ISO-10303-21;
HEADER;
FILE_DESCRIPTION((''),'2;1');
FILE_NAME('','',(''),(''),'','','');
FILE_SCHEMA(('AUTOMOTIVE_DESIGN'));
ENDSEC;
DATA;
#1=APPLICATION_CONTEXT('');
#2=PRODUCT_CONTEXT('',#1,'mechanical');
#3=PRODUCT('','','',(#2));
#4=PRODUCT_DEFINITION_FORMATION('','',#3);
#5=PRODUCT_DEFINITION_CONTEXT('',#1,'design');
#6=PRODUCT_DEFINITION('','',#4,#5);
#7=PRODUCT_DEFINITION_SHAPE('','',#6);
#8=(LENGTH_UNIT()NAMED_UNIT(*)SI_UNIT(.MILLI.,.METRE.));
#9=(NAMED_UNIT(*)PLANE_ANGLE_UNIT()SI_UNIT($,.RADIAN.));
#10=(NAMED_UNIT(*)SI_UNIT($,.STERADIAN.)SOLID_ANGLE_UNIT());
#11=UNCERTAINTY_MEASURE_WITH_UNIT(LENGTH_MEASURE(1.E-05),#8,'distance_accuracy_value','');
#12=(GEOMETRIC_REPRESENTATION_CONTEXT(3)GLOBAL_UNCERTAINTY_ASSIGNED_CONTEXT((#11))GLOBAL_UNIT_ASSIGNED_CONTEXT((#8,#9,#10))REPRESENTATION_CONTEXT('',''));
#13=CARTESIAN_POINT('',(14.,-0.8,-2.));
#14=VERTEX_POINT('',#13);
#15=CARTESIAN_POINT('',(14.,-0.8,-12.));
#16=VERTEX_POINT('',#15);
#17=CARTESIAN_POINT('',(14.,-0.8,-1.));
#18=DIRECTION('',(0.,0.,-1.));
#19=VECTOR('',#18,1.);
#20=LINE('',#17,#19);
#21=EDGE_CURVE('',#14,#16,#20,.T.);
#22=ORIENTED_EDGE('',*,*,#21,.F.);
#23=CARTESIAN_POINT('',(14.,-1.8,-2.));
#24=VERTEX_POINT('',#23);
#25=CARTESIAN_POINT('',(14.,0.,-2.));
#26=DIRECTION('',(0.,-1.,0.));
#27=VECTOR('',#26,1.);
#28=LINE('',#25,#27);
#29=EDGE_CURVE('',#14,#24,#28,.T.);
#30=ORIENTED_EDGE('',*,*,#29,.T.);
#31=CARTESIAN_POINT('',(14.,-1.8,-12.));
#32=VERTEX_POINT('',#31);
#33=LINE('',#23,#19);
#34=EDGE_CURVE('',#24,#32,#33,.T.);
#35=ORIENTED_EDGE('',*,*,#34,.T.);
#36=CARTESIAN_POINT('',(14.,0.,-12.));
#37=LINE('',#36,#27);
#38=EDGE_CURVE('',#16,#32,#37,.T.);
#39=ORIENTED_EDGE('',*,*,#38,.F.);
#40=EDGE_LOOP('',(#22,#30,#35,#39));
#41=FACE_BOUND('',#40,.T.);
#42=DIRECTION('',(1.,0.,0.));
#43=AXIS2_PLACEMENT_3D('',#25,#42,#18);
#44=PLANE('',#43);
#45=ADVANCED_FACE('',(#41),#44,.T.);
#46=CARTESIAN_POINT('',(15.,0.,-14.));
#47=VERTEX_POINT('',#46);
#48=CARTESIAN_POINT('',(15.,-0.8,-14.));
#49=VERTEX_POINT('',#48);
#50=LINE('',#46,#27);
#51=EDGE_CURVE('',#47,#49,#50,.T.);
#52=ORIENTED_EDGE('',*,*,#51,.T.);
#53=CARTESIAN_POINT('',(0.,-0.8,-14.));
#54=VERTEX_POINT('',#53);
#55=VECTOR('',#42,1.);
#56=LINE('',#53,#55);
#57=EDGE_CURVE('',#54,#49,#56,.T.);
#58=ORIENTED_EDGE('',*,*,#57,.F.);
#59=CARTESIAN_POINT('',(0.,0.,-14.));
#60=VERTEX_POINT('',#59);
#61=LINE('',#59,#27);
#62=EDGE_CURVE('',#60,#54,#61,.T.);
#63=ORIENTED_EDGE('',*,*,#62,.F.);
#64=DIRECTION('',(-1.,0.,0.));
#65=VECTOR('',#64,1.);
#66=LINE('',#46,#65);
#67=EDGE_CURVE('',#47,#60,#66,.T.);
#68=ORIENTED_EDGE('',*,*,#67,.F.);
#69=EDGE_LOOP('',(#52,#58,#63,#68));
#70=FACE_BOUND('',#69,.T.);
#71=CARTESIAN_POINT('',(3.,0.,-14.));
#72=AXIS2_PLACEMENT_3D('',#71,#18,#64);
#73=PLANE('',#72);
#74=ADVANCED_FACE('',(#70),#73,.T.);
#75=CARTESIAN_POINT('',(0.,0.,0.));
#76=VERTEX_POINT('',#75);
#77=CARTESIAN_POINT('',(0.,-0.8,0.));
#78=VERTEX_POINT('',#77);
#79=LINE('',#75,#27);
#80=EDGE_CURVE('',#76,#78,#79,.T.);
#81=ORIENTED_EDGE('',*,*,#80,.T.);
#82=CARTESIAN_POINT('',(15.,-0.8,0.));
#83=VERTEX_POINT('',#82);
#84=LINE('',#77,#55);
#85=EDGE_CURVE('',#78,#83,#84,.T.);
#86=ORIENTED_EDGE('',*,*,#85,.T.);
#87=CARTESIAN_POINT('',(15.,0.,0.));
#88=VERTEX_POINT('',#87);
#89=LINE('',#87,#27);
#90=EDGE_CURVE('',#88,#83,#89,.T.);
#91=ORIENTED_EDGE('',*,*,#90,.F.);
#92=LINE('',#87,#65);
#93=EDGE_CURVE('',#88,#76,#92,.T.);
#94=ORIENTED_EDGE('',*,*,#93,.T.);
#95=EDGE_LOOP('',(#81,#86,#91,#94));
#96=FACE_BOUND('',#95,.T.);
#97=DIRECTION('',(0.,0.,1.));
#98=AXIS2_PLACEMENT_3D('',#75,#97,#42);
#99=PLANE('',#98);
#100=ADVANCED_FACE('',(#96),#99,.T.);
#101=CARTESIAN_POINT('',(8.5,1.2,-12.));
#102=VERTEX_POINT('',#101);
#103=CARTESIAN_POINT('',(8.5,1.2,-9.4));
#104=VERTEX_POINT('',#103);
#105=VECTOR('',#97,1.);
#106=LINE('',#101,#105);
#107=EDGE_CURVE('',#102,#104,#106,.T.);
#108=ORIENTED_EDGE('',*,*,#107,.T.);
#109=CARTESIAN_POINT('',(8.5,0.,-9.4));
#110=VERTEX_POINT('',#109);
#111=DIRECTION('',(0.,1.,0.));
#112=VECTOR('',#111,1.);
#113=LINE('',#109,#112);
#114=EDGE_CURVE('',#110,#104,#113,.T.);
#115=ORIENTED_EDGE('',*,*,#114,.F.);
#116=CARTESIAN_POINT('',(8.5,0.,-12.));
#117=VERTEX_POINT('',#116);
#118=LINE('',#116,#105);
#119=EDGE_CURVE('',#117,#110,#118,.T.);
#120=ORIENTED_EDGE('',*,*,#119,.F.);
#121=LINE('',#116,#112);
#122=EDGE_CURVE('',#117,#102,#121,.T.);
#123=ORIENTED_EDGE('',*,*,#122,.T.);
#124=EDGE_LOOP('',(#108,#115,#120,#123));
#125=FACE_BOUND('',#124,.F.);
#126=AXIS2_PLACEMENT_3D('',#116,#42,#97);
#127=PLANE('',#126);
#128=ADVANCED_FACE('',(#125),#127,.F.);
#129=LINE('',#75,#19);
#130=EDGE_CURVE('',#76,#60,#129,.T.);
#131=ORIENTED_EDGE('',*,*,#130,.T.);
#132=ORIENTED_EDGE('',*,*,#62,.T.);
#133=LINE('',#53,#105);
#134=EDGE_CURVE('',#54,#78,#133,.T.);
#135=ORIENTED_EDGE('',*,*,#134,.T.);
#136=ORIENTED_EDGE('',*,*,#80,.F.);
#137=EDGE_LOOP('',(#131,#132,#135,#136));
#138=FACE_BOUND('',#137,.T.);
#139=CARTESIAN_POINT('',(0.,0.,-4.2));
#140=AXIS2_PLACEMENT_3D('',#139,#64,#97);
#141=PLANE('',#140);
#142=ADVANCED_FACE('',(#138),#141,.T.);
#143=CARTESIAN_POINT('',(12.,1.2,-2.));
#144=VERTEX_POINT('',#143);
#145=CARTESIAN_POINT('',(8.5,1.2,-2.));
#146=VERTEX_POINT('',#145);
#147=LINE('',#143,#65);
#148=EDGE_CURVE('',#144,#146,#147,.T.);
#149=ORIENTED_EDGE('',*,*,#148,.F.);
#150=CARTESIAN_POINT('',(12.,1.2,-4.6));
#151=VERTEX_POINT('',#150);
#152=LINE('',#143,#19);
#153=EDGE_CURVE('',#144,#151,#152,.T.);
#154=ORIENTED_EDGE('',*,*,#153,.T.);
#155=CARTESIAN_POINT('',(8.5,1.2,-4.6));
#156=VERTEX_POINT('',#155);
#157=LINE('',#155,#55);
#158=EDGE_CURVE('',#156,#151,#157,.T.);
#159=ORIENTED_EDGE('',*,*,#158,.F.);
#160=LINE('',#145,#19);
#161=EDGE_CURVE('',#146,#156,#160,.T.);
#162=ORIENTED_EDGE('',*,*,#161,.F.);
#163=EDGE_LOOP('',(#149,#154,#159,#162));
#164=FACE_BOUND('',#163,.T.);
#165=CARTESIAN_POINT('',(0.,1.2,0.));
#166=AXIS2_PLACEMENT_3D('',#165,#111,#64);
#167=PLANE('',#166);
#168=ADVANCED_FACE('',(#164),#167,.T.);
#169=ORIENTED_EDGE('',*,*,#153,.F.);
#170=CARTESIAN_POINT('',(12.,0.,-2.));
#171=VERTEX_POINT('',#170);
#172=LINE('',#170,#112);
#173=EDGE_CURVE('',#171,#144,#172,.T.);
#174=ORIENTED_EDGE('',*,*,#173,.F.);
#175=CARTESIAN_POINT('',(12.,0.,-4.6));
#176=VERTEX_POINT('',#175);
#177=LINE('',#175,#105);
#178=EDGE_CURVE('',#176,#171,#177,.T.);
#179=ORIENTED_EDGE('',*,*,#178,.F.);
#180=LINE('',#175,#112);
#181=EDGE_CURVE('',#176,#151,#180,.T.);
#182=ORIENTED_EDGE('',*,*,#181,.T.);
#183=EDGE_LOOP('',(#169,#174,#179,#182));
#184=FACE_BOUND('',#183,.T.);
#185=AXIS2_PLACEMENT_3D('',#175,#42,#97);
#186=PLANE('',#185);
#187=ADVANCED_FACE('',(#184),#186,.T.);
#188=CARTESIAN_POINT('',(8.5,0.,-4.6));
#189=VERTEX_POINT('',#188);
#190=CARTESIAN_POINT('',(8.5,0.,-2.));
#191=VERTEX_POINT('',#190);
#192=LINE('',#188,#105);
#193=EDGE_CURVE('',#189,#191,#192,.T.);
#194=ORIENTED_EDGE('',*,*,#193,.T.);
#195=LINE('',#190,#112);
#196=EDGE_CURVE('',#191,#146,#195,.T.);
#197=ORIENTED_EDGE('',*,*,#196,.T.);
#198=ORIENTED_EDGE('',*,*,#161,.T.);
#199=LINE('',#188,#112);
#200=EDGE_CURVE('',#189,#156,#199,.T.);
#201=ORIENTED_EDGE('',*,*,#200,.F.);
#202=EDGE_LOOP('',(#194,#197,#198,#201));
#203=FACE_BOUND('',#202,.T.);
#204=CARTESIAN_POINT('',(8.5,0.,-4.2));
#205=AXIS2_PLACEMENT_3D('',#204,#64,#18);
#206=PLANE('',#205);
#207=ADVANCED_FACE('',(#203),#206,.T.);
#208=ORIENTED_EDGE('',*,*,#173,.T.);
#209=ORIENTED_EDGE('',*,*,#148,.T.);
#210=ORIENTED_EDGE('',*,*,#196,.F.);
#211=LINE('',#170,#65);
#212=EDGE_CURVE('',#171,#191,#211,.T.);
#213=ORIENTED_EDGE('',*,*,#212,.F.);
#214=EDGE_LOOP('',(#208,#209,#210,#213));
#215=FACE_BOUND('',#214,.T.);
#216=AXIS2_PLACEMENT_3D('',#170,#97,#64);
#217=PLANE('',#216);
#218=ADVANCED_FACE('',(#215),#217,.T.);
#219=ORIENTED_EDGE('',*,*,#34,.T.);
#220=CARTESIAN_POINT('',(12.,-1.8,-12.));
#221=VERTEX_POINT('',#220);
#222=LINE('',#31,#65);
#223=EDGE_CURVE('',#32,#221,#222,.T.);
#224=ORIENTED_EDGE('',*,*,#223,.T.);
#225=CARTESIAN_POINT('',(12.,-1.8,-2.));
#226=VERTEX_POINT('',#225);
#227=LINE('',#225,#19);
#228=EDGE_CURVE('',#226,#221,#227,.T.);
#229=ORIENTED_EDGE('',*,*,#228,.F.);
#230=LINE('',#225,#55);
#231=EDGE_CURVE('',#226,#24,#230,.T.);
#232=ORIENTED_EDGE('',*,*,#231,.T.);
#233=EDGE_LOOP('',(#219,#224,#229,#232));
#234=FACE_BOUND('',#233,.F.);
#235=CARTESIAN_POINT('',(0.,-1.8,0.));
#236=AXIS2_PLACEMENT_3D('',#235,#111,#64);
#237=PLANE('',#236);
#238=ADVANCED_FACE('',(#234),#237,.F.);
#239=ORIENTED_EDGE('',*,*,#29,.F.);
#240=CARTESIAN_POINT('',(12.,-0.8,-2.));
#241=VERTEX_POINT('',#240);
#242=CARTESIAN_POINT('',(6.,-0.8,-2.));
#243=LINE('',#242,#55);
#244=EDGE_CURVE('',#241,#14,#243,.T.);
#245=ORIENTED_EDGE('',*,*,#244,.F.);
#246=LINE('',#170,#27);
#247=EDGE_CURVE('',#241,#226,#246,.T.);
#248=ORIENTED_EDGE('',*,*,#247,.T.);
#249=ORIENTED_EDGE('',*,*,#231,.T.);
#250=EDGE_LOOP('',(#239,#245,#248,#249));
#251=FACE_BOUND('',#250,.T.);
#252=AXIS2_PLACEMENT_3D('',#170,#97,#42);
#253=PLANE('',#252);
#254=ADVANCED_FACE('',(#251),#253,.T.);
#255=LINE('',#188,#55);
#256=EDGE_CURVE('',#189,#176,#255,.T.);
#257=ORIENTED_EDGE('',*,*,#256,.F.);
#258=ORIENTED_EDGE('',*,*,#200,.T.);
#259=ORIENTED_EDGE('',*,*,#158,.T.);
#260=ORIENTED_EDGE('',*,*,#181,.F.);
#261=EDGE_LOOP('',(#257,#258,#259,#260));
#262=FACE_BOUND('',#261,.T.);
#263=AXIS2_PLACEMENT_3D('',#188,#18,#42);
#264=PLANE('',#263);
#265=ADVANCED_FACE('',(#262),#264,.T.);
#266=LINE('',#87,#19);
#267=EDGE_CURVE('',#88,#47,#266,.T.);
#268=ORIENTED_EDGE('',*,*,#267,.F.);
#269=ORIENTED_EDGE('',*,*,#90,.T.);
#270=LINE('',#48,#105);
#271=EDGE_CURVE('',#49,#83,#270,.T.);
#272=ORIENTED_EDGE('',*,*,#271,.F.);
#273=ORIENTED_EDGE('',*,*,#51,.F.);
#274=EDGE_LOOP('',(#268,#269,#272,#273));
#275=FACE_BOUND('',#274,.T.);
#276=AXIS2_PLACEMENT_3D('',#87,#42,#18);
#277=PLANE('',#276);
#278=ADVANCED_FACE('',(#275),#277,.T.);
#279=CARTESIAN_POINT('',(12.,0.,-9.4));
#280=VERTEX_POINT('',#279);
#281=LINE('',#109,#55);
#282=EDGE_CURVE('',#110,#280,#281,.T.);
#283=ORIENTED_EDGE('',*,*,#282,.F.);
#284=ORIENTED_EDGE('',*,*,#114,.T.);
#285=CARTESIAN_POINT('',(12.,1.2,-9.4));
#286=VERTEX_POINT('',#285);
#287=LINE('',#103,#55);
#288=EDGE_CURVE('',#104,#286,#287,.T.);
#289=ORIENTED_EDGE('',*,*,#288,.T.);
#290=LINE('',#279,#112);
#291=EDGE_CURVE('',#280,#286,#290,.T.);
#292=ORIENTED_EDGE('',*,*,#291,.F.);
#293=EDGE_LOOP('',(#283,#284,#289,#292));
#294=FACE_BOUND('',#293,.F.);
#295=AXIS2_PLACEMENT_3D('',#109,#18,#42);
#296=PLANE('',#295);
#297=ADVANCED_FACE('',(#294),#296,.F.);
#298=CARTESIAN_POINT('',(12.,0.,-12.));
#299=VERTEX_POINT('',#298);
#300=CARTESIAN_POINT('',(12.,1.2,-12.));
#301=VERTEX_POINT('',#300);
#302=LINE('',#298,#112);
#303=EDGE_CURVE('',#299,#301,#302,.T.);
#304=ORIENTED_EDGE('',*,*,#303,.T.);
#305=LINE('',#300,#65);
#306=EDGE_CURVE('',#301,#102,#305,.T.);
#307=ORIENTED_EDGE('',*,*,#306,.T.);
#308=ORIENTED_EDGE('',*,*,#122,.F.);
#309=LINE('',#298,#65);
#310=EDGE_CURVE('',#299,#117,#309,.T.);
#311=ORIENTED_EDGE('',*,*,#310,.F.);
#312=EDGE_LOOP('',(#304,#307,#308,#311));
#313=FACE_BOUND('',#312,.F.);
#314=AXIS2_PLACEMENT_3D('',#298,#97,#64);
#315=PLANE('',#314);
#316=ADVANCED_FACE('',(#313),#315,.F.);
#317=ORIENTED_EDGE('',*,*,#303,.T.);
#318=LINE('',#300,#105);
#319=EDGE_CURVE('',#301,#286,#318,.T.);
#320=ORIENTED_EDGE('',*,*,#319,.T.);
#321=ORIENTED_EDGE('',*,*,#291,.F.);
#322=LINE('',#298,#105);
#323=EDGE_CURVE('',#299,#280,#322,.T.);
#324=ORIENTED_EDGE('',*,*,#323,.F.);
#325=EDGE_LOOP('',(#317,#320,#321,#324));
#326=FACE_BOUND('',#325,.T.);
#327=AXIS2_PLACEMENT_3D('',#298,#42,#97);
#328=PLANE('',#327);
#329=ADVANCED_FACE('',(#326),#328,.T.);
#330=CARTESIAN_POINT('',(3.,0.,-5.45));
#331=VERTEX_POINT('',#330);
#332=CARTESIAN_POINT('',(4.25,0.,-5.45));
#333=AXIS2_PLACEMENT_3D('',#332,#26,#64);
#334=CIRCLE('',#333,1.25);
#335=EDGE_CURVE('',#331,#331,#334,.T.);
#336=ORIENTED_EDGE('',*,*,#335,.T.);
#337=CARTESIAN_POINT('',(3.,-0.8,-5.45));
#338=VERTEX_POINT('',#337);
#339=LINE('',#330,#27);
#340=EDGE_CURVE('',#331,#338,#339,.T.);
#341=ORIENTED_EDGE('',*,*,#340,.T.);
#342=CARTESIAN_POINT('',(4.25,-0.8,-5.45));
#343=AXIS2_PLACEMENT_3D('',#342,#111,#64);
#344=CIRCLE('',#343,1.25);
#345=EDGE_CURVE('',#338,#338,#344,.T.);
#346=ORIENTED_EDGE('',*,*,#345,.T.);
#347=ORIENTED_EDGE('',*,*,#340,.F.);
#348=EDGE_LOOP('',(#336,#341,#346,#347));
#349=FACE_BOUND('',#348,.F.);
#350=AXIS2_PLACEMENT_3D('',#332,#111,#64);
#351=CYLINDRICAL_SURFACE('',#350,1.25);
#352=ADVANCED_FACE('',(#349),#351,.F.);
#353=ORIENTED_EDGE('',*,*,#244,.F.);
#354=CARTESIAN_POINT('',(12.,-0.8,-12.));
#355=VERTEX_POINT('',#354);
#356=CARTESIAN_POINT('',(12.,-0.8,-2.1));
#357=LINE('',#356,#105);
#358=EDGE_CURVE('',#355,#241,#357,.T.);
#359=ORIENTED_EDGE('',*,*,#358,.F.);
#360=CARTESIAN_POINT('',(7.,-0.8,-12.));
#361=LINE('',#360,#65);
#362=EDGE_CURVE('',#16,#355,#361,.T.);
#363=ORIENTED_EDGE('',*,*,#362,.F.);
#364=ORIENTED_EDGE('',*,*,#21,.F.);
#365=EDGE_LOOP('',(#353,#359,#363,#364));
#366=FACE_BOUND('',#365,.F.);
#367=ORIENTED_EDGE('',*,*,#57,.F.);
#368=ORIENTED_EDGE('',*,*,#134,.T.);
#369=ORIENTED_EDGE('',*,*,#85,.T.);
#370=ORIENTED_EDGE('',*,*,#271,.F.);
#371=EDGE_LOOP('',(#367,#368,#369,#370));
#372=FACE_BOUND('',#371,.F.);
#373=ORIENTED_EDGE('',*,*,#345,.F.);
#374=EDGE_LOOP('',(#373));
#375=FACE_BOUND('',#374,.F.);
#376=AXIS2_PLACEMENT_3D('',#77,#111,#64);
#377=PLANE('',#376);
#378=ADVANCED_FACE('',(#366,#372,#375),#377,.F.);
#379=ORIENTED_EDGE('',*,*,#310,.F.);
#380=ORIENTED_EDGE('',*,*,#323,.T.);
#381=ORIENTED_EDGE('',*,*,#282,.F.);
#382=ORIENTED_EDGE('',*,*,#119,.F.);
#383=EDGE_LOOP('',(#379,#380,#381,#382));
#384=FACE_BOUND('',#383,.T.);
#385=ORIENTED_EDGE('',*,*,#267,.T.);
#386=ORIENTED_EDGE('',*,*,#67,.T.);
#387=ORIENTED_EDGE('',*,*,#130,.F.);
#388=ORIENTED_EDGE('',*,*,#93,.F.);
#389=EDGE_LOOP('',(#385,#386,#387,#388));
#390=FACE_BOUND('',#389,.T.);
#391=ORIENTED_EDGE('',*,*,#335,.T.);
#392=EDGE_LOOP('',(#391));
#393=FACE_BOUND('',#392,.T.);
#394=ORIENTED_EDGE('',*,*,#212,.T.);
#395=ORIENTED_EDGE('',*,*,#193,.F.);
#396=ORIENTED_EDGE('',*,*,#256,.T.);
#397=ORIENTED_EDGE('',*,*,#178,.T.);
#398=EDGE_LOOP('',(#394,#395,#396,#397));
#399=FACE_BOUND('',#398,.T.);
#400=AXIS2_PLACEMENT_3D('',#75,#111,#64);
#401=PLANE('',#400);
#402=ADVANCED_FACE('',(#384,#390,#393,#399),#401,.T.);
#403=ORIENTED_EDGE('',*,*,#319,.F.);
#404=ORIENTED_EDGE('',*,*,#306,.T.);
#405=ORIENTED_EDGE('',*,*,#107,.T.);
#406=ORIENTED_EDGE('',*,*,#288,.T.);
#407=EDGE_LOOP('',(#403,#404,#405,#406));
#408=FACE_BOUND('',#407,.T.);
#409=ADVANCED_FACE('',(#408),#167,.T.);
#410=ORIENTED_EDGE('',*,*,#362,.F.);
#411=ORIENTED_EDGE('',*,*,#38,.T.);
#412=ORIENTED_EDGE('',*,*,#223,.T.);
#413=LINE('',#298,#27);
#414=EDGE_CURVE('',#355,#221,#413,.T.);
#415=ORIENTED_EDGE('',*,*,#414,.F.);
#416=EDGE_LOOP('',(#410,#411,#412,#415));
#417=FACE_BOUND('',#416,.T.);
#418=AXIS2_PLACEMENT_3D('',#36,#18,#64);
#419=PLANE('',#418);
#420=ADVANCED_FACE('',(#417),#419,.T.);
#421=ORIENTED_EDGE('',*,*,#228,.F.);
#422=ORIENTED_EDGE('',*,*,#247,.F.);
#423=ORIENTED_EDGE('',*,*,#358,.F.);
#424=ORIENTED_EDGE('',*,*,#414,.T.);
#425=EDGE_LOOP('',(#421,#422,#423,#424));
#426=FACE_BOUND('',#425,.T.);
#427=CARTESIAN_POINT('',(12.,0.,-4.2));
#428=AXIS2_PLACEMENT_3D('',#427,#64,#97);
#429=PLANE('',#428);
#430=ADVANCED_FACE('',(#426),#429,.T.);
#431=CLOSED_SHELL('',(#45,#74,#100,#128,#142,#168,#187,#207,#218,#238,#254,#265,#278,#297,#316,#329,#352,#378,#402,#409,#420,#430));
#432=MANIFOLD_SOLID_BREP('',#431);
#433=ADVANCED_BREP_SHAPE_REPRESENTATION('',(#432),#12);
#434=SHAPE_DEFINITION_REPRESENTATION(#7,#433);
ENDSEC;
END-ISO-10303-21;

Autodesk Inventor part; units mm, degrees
ref_plane "YZ Plane" through (0, 0, 0) normal (1, 0, 0) x (0, 1, 0)
ref_plane "XZ Plane" through (0, 0, 0) normal (0, 1, 0) x (-1, 0, 0)
ref_plane "XY Plane" through (0, 0, 0) normal (0, 0, 1) x (1, 0, 0)
sketch "Sketch1" plane through (0, 0, 0) normal (0, 1, 0) x (-1, 0, 0)
  line L0 (0, 0) -> (-15, 0)
  line L1 (-15, 0) -> (-15, -14)
  line L2 (-15, -14) -> (0, -14)
  line L3 (0, -14) -> (0, 0)
  line L4 (0, -4.2) -> (-15, -4.2)
  line L5 (-3, 0) -> (-3, -14)
  circle A0 centre (-4.25, -5.45) radius 1.25
  line L6 (-12, -2) -> (-14, -2)
  line L7 (-14, -2) -> (-14, -12)
  line L8 (-14, -12) -> (-12, -12)
  line L9 (-12, -12) -> (-12, -2)
  line L10 (-12, -2) -> (-8.5, -2)
  line L11 (-8.5, -2) -> (-8.5, -4.6)
  line L12 (-8.5, -4.6) -> (-12, -4.6)
  line L13 (-12, -4.6) -> (-12, -2)
  line L14 (-12, -12) -> (-8.5, -12)
  line L15 (-8.5, -12) -> (-8.5, -9.4)
  line L16 (-8.5, -9.4) -> (-12, -9.4)
  line L17 (-12, -9.4) -> (-12, -12)
  dimension "d0" = 15
  dimension "d1" = 14
  dimension "d2" = 4.2
  dimension "d3" = 3
  dimension "d4" = 2.5
  dimension "d5" = 10
  dimension "d6" = 2
  dimension "d7" = 2
  dimension "d8" = 2
  dimension "d9" = 1
  dimension "d10" = 3.5
  dimension "d11" = 3.5
  dimension "d12" = 2.6
  dimension "d13" = 2.6
  dimension "d14" = 2
  dimension "d15" = 2
extrude "Extrusion1" add sketch "Sketch1" against normal blind 0.8 contours L3 L4 L5 L0 | L5 L4 L11 L10 L6 L7 L1 L0 | L3 L2 L5 L4 | L5 A0 L4 | L4 L7 L8 L14 L15 L16 L9 L12 L11 A0 L5 L2 L1 | L7 L6 L9 L4 | L4 L9 L8 L7 | L11 L12 L9 L4 | L4 L9 L10 L11 | L9 L16 L15 L14
extrude "Extrusion2" add sketch "Sketch1" along normal blind 1.2 contours L11 L12 L9 L4 | L4 L9 L10 L11 | L9 L16 L15 L14
extrude "Extrusion3" add sketch "Sketch1" against normal blind 1.8 contours L7 L6 L9 L4 | L4 L9 L8 L7
equation "\"d7\" = d8"
properties part number "line_sensor" material "Thermoplastic Resin"
